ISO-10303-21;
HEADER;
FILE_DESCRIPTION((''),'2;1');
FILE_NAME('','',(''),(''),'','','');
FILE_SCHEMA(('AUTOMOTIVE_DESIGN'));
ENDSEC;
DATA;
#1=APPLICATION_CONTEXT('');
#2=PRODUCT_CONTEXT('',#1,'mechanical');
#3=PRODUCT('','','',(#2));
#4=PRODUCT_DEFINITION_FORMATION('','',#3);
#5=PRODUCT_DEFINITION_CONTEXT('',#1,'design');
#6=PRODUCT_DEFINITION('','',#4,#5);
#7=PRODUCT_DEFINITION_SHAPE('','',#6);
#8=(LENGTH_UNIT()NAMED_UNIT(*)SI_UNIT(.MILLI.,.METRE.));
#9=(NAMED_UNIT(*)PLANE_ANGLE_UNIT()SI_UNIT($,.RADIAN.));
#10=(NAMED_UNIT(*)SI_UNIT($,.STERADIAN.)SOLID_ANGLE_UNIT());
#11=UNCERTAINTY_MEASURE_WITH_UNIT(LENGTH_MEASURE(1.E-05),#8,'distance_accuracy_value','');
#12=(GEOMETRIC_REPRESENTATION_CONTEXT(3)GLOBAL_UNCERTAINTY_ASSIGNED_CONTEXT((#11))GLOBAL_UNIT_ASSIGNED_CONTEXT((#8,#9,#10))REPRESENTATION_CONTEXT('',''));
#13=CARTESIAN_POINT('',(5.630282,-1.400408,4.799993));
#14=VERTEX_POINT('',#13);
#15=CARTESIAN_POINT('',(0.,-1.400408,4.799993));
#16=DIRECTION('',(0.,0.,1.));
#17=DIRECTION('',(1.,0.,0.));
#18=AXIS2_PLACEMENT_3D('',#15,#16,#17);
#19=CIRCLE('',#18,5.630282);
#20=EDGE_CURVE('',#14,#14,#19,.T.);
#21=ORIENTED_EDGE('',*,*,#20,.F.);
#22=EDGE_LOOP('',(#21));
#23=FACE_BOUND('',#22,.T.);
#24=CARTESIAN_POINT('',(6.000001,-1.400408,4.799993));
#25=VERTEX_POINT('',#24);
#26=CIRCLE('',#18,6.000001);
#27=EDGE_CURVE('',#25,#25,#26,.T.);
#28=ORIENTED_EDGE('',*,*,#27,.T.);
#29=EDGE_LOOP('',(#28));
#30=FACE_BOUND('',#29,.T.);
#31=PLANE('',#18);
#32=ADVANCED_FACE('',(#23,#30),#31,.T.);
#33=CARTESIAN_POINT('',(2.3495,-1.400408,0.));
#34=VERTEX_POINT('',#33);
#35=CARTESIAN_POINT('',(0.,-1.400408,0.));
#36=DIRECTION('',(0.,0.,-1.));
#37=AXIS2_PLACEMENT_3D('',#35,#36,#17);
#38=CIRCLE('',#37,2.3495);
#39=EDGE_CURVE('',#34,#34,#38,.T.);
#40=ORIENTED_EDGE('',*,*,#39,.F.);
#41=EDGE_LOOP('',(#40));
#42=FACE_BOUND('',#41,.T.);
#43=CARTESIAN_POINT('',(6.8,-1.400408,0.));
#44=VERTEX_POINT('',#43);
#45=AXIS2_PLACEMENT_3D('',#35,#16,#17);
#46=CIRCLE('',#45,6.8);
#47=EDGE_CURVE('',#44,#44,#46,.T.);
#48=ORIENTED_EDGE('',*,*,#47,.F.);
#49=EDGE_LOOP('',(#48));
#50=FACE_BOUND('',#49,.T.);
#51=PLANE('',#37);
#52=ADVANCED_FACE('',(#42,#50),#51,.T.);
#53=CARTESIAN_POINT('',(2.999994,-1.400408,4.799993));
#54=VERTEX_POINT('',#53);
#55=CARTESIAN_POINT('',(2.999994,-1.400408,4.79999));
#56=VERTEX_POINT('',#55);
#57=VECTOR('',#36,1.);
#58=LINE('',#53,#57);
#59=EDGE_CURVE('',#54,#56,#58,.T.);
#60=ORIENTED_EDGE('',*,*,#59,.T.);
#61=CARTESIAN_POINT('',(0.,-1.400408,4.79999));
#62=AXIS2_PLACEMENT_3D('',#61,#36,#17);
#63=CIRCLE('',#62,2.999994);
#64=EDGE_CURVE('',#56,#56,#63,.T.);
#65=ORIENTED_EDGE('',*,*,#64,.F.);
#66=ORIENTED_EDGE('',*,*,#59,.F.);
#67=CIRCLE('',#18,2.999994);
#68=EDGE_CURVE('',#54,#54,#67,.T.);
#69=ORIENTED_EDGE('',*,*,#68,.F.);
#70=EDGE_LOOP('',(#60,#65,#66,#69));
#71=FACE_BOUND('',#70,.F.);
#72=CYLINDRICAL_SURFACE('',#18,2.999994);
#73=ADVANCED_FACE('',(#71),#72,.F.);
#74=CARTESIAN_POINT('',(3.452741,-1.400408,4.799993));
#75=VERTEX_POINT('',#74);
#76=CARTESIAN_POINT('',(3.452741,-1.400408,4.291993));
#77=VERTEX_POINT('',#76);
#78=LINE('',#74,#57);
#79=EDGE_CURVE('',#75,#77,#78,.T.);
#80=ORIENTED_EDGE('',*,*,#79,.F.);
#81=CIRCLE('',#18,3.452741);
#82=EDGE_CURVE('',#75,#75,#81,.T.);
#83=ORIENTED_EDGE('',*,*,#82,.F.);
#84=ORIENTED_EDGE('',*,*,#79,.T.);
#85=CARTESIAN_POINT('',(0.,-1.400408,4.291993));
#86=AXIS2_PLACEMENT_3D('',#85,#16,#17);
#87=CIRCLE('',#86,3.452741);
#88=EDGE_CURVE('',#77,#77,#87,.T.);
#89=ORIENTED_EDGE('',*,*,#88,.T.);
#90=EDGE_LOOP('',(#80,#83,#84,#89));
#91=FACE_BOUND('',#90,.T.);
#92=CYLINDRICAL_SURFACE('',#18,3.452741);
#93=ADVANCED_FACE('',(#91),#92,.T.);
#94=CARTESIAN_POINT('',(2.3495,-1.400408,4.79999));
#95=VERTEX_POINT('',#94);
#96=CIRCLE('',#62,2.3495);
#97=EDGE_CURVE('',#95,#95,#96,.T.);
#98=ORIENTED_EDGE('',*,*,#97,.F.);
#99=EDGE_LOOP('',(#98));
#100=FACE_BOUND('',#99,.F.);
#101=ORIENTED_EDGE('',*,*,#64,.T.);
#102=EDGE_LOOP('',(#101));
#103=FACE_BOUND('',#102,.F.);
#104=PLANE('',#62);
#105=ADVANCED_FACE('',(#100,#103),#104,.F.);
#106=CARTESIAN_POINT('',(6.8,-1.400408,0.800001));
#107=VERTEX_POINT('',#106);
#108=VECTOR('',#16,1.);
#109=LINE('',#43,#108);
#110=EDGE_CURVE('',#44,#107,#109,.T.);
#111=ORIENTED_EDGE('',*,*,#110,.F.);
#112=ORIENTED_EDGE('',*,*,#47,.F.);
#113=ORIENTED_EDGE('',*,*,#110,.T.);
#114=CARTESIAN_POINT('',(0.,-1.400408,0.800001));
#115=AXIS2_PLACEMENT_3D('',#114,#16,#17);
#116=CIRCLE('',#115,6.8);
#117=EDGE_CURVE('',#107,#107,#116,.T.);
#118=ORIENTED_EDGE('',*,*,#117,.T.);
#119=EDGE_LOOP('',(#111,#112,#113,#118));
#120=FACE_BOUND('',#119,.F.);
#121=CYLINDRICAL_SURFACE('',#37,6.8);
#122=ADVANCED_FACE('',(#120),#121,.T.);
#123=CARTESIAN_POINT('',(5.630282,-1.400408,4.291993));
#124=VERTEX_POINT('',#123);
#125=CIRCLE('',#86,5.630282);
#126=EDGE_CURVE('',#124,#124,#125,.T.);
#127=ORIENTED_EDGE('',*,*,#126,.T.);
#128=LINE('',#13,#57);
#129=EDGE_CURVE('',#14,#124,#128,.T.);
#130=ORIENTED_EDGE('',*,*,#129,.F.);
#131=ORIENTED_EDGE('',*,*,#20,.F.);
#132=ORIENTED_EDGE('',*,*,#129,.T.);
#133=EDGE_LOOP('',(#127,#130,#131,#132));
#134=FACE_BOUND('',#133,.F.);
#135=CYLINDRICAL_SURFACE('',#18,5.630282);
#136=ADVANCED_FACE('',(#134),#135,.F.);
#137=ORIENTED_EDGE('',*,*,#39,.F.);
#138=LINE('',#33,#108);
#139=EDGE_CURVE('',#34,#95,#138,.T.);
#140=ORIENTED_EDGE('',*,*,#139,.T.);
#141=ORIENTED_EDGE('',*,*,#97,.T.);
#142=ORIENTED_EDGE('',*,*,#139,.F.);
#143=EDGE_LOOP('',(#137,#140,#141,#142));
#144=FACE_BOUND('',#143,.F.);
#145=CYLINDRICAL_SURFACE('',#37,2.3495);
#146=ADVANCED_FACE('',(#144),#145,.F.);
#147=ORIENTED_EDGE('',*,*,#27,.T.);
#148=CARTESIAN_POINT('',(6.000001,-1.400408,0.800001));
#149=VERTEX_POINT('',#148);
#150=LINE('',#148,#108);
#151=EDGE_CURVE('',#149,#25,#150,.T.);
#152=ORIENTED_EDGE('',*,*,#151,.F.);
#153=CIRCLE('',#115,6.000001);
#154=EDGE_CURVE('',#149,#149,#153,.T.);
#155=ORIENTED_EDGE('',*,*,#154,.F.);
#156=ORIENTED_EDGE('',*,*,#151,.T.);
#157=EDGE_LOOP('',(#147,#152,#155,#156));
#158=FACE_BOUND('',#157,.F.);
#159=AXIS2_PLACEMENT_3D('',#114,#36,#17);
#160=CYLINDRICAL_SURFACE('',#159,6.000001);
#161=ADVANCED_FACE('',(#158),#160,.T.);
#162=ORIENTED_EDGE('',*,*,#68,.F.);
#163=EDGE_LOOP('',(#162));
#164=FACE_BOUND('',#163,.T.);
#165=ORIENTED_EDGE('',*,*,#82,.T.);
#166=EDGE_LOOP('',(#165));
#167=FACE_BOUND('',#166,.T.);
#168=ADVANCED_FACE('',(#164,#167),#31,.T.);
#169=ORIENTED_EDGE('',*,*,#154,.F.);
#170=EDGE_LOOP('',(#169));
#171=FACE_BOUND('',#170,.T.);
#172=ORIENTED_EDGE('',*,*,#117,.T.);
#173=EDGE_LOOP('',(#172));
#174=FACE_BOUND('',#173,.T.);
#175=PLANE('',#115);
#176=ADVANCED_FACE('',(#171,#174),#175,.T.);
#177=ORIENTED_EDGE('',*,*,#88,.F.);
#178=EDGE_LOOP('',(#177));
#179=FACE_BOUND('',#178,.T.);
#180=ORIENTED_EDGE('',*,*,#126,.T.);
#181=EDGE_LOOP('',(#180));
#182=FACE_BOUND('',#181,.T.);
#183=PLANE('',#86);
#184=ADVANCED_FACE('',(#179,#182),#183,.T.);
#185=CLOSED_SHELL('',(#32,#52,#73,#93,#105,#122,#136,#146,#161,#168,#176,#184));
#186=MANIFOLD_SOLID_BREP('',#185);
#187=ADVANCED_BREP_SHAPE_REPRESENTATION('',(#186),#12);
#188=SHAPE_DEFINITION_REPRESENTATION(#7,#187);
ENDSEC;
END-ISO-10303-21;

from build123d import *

# Parameters (mm, degrees)
F0_R     = 6.80000037
F1_DEPTH = 0.80000094
F2_R     = 6.0000007
F3_DEPTH = 3.999992
F4_R     = 2.999994
F5_DEPTH = 25.4
F6_R     = 5.6302817243
F6_R_2   = 3.4527411569
F7_DEPTH = 0.508
F8_R     = 2.999994
F8_R_2   = 2.3495
F9_DEPTH = 4.7999904


with BuildPart() as f1:
    # F0 (on Top) → F1 (new body)
    with BuildSketch(Plane.XY):
        with Locations((0, -1.4004084514)):
            Circle(F0_R)
    extrude(amount=F1_DEPTH)

    # F2 (on face) → F3 (join)
    with BuildSketch(Plane.XY.offset(0.80000094)):
        with Locations((0, -1.4004084514)):
            Circle(F2_R)
    extrude(amount=F3_DEPTH)

    # F4 (on face) → F5 (cut)
    with BuildSketch(Plane.XY.offset(4.79999294)):
        with Locations((0, -1.4004084514)):
            Circle(F4_R)
    extrude(amount=-F5_DEPTH, mode=Mode.SUBTRACT)

    # F6 (on face) → F7 (cut)
    with BuildSketch(Plane.XY.offset(4.79999294)):
        with Locations((0, -1.4004084514)):
            Circle(F6_R)
        with Locations((0, -1.4004084514)):
            Circle(F6_R_2, mode=Mode.SUBTRACT)
    extrude(amount=-F7_DEPTH, mode=Mode.SUBTRACT)

    # F8 (on face) → F9 (join)
    with BuildSketch(Plane(origin=(0, 0, 0), x_dir=(1, 0, 0), z_dir=(0, 0, -1))):
        with Locations((0, 1.4004084514)):
            Circle(F8_R)
        with Locations((0, 1.4004084514)):
            Circle(F8_R_2, mode=Mode.SUBTRACT)
    extrude(amount=-F9_DEPTH)


solid = f1.part
